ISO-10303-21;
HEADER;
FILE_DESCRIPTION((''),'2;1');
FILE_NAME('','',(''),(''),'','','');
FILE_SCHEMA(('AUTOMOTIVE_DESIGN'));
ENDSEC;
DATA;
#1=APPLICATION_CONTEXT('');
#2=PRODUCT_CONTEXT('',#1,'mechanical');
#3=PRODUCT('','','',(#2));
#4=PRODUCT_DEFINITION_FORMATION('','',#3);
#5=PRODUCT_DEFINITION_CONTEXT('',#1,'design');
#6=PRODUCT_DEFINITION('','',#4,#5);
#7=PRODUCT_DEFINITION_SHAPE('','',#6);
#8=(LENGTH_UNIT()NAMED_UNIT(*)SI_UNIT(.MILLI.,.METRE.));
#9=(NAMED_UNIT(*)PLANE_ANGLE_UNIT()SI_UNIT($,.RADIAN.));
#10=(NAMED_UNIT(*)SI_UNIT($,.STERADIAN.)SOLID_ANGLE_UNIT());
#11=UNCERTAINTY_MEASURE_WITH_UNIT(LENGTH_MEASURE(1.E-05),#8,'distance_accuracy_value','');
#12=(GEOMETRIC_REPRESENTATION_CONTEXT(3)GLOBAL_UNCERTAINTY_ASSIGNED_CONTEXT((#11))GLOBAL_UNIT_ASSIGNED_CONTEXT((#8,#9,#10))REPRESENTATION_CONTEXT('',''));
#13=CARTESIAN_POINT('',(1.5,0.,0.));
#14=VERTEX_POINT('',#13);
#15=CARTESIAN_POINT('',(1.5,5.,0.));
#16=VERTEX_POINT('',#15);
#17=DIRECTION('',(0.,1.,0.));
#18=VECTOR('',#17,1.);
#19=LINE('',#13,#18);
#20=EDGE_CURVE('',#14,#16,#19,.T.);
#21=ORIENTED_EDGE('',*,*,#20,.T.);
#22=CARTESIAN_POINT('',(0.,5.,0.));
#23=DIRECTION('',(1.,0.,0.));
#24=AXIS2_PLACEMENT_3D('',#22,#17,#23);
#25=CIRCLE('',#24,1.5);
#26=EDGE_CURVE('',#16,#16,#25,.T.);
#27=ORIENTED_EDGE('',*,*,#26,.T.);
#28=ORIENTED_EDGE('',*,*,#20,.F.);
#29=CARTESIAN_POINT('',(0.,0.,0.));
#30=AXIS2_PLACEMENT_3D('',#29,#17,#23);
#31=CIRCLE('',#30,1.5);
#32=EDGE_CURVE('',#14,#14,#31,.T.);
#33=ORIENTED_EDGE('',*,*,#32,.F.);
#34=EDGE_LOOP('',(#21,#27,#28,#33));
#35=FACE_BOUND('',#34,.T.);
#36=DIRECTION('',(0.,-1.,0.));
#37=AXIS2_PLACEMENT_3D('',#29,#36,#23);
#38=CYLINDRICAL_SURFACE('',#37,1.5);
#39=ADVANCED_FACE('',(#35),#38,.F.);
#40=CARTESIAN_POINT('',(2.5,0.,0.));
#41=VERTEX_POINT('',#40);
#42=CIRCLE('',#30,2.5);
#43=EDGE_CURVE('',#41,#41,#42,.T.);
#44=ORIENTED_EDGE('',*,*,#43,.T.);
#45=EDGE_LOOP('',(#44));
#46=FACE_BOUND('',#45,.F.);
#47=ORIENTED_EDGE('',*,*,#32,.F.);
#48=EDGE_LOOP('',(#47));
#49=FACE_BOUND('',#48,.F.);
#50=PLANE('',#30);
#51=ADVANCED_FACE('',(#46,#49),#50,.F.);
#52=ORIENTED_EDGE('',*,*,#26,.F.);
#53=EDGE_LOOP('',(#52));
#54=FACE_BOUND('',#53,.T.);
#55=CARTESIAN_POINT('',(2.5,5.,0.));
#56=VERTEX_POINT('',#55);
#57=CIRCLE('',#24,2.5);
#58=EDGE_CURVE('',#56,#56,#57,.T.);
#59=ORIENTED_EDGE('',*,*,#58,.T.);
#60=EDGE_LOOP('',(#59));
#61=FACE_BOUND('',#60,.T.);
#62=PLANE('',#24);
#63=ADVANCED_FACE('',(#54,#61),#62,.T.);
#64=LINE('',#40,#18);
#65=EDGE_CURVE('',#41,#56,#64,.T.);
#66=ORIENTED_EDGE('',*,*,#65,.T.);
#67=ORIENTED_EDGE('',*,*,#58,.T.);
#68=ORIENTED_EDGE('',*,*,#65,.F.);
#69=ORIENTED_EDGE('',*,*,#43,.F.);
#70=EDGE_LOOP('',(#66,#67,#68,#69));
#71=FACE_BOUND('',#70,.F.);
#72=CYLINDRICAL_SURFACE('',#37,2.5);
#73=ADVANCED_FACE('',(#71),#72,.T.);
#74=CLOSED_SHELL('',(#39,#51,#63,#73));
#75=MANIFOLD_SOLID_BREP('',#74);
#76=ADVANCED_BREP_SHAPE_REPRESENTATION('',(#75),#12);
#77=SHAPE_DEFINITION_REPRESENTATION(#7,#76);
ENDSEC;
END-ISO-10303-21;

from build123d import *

# Parameters (mm, degrees)
SKETCH_1_R      = 2.5
SKETCH_1_R_2    = 1.5
EXTRUDE_1_DEPTH = 5


with BuildPart() as part:
    # 草图1 → 凸台-拉伸1 (new body)
    with BuildSketch(Plane(origin=(0, 0, 0), x_dir=(1, 0, 0), z_dir=(0, 1, 0))):
        Circle(SKETCH_1_R)
        Circle(SKETCH_1_R_2, mode=Mode.SUBTRACT)
    extrude(amount=EXTRUDE_1_DEPTH)


solid = part.part
